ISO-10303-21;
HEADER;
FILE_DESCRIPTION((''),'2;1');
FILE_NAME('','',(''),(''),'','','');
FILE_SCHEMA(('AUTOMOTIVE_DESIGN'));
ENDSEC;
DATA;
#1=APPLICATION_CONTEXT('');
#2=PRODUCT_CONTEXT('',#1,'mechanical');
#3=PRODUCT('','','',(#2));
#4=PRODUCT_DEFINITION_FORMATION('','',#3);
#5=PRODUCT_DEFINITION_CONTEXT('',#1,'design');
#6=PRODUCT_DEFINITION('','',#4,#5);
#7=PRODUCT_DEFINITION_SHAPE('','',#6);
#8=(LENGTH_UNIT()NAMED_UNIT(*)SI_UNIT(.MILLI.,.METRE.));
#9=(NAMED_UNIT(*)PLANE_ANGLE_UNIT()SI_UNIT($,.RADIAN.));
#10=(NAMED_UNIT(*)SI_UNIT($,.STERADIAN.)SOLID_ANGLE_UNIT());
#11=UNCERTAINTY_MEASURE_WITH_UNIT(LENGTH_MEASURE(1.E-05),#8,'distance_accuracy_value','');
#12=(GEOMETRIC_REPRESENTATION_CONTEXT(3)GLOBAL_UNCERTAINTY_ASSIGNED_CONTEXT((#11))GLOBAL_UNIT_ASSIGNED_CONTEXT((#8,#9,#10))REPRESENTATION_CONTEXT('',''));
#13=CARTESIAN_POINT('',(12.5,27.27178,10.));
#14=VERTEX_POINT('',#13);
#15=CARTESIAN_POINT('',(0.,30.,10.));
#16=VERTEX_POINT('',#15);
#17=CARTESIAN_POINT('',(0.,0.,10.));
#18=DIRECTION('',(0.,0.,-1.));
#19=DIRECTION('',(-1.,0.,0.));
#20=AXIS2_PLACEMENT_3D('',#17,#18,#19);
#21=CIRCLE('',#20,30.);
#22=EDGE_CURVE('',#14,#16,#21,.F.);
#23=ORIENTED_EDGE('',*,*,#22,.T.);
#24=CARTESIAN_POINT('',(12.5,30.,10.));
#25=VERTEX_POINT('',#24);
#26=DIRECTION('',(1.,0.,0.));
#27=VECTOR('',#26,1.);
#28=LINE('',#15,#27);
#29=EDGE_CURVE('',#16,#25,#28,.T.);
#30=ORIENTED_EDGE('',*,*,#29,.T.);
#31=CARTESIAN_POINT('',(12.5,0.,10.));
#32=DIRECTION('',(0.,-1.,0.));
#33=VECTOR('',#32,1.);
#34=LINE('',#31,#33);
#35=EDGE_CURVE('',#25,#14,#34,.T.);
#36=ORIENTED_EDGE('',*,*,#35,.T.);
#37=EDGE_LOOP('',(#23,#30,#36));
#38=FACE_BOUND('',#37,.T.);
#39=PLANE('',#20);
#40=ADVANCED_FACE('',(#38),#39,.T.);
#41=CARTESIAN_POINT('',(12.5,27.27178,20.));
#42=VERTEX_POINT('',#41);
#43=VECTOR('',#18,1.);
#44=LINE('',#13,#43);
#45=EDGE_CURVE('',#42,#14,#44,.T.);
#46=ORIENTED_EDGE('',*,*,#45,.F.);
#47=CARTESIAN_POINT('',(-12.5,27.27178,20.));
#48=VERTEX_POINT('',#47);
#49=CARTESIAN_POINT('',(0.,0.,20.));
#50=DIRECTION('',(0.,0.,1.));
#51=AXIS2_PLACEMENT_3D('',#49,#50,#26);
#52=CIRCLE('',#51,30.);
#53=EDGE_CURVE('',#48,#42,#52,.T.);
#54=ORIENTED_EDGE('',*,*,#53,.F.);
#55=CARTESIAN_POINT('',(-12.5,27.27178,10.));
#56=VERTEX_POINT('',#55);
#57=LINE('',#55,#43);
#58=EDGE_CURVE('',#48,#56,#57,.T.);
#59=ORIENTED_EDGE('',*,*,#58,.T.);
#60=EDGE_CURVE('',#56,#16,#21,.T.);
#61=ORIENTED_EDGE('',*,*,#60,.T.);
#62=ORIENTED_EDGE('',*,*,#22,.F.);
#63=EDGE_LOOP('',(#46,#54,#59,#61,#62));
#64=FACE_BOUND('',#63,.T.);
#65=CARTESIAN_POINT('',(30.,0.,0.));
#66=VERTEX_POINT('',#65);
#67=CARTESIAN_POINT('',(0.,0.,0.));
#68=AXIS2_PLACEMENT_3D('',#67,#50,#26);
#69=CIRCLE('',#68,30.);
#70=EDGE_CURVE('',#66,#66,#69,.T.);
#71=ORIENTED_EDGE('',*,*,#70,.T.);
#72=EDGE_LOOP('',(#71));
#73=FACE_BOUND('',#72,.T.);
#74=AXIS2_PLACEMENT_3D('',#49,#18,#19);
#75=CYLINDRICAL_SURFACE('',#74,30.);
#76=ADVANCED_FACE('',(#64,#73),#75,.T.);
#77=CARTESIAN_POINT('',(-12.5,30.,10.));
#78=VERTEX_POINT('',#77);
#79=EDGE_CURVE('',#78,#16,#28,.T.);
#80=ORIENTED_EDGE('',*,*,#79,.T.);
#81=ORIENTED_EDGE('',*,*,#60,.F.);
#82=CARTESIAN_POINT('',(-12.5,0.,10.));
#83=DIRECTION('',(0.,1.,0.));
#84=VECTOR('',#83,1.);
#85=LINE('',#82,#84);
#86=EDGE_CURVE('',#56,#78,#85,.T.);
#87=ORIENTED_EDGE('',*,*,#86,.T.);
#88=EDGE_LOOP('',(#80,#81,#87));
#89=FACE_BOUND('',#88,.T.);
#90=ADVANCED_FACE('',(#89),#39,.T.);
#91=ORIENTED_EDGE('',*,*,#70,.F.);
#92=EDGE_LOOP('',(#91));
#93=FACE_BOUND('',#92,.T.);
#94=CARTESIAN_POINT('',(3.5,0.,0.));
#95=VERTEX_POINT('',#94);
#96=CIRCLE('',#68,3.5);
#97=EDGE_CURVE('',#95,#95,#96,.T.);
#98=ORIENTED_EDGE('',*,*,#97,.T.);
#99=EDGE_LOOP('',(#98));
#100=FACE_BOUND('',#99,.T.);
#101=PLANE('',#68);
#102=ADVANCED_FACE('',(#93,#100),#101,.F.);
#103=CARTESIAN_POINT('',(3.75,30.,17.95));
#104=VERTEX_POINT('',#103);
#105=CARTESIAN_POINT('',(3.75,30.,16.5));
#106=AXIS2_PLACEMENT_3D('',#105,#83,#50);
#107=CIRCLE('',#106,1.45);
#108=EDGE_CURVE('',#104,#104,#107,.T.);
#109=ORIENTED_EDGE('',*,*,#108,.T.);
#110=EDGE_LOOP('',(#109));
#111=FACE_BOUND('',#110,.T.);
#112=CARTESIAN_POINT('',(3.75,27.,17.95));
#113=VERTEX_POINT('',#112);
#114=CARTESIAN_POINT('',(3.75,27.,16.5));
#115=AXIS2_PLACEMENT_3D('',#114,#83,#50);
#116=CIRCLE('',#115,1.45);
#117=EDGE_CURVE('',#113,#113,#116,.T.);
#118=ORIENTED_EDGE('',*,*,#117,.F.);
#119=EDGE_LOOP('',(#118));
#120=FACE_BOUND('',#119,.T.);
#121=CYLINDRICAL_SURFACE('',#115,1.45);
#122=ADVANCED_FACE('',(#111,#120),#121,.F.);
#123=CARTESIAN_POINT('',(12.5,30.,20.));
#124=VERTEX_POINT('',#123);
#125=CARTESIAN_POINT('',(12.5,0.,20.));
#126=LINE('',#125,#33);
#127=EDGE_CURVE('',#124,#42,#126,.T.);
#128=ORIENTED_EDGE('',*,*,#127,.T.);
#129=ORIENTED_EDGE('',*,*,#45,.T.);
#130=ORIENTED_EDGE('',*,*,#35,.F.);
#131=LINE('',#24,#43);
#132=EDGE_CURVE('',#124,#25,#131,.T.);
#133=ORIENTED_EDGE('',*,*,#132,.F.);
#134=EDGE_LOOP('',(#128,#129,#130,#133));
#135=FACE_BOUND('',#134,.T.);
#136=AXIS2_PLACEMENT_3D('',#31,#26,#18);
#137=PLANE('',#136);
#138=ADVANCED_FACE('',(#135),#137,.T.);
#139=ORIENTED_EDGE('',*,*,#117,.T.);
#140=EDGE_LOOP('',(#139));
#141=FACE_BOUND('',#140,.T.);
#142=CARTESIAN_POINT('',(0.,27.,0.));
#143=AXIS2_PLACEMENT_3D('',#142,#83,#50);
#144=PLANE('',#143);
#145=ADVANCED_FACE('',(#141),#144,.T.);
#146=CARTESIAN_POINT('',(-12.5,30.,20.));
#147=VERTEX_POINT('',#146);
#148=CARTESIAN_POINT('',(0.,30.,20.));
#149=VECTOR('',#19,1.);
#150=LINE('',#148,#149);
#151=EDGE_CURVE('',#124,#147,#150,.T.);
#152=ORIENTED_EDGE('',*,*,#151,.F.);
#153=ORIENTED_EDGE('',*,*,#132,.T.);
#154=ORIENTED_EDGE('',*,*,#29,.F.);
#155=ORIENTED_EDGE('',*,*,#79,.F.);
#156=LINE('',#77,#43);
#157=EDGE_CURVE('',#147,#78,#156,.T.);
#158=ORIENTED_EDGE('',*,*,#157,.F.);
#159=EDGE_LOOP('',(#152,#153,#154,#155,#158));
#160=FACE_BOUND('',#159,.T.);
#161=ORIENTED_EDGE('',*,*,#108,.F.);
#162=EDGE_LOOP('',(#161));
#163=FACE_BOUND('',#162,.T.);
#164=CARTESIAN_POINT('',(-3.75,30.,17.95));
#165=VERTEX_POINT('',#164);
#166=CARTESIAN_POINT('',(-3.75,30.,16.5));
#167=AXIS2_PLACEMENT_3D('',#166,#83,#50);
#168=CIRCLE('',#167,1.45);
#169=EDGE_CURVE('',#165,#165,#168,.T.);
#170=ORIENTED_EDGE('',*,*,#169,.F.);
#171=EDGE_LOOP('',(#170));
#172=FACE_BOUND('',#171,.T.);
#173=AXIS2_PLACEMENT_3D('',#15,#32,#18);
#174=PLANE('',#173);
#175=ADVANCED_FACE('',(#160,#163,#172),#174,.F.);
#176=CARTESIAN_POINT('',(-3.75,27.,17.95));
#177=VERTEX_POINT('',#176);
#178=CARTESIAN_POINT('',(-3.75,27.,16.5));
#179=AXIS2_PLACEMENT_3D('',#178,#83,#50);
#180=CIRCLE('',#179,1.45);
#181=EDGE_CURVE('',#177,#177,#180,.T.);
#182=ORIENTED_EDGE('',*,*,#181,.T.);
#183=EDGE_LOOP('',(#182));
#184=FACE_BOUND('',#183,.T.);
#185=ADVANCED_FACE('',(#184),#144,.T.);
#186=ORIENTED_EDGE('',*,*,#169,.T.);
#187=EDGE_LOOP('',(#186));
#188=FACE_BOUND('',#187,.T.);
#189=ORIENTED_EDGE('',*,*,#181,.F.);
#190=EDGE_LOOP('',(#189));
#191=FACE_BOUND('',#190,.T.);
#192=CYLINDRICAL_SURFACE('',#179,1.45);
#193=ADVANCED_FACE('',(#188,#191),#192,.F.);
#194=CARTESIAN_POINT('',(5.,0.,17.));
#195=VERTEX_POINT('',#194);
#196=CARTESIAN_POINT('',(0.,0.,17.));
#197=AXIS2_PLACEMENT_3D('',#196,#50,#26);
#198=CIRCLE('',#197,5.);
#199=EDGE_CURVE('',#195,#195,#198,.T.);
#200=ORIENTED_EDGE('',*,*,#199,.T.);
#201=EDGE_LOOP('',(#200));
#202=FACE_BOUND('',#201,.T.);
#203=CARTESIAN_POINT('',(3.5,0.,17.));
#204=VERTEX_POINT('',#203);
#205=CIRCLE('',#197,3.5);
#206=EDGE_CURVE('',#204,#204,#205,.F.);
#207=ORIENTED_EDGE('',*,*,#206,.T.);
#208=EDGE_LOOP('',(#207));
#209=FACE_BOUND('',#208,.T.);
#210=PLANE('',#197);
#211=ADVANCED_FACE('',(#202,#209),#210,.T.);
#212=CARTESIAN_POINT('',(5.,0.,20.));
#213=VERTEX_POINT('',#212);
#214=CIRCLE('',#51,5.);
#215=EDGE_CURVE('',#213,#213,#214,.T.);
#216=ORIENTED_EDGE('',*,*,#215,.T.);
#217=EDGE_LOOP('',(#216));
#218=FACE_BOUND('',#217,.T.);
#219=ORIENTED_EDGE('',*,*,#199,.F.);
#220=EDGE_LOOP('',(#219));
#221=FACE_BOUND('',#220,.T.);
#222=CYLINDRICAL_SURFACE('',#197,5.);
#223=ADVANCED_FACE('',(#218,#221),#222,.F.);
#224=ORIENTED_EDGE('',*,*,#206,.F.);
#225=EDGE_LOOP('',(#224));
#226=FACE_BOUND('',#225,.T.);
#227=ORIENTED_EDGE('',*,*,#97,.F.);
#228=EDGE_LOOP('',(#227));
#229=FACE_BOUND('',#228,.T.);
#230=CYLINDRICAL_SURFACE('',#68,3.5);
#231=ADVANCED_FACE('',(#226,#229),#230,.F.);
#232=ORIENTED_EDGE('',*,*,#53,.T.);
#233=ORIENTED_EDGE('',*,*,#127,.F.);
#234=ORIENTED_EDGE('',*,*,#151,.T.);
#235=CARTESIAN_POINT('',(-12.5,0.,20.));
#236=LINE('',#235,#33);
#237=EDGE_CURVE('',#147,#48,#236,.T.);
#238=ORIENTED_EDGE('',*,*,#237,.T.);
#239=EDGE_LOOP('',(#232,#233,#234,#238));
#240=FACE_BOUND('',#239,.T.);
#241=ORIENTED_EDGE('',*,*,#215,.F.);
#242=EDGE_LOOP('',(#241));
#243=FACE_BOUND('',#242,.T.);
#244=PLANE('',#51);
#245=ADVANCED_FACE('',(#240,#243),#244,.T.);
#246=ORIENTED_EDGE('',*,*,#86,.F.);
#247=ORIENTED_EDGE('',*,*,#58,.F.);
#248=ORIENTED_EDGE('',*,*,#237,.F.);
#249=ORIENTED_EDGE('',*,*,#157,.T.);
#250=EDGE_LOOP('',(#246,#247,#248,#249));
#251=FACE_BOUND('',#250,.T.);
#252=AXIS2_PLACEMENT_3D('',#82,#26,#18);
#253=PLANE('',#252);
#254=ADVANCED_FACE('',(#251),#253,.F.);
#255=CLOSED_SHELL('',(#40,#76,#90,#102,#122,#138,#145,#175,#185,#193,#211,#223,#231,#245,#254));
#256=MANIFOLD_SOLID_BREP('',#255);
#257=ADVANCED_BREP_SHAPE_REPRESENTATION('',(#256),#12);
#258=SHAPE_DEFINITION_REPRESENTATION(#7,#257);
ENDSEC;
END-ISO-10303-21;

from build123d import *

# Parameters (mm, degrees)
SKETCH_1_R          = 30
EXTRUDE_1_DEPTH     = 20
EXTRUDE_2_DEPTH     = 10
EXTRUDE_3_DEPTH     = 10
CUT_EXTRUDE_1_DEPTH = 10
SKETCH_5_R          = 1.45
CUT_EXTRUDE_2_DEPTH = 3
SKETCH_7_R          = 3.5
CUT_EXTRUDE_4_DEPTH = 47.904157598
SKETCH_8_R          = 5
CUT_EXTRUDE_5_DEPTH = 3


with BuildPart() as part:
    # 草图1 → 凸台-拉伸1 (new body)
    with BuildSketch(Plane.XY):
        Circle(SKETCH_1_R)
    extrude(amount=EXTRUDE_1_DEPTH)

    # 草图2 → 凸台-拉伸2 (add)
    with BuildSketch(Plane(origin=(0, 0, 0), x_dir=(-1, 0, 0), z_dir=(0, 0, -1))):
        with BuildLine():
            Line((0, 30), (-12.5, 30))
            Line((-12.5, 30), (-12.5, 27.271780287))
            ThreePointArc((-12.5, 27.271780287), (-6.397131834, 29.310010309), (0, 30))
        make_face()
        with BuildLine():
            Line((12.5, 30), (0, 30))
            ThreePointArc((0, 30), (6.397131834, 29.310010309), (12.5, 27.271780287))
            Line((12.5, 27.271780287), (12.5, 30))
        make_face()
    extrude(amount=-EXTRUDE_2_DEPTH)

    # 草图3 → 凸台-拉伸3 (add)
    with BuildSketch(Plane.XY.offset(10)):
        with BuildLine():
            Line((-12.5, 30), (-12.5, 27.271780287))
            ThreePointArc((-12.5, 27.271780287), (-6.397131834, 29.310010309), (0, 30))
            Line((0, 30), (-12.5, 30))
        make_face()
        with BuildLine():
            ThreePointArc((0, 30), (6.397131834, 29.310010309), (12.5, 27.271780287))
            Line((12.5, 27.271780287), (12.5, 30))
            Line((12.5, 30), (0, 30))
        make_face()
    extrude(amount=EXTRUDE_3_DEPTH)

    # 草图4 → 切除-拉伸1 (cut)
    with BuildSketch(Plane(origin=(0, 0, 0), x_dir=(-1, 0, 0), z_dir=(0, 0, -1))):
        with BuildLine():
            Line((-12.5, 30), (-12.5, 27.271780287))
            ThreePointArc((-12.5, 27.271780287), (-6.397131834, 29.310010309), (0, 30))
            Line((0, 30), (-12.5, 30))
        make_face()
        with BuildLine():
            ThreePointArc((0, 30), (6.397131834, 29.310010309), (12.5, 27.271780287))
            Line((12.5, 27.271780287), (12.5, 30))
            Line((12.5, 30), (0, 30))
        make_face()
    extrude(amount=-CUT_EXTRUDE_1_DEPTH, mode=Mode.SUBTRACT)

    # 草图5 → 切除-拉伸2 (cut)
    with BuildSketch(Plane(origin=(0, 30, 0), x_dir=(1, 0, 0), z_dir=(0, 1, 0))):
        with Locations((-3.75, -16.5)):
            Circle(SKETCH_5_R)
        with Locations((3.75, -16.5)):
            Circle(SKETCH_5_R)
    extrude(amount=-CUT_EXTRUDE_2_DEPTH, mode=Mode.SUBTRACT)

    # 草图7 → 切除-拉伸4 (cut, through all)
    with BuildSketch(Plane.XY.offset(20)):
        Circle(SKETCH_7_R)
    extrude(amount=-CUT_EXTRUDE_4_DEPTH, mode=Mode.SUBTRACT)

    # 草图8 → 切除-拉伸5 (cut)
    with BuildSketch(Plane.XY.offset(20)):
        Circle(SKETCH_8_R)
    extrude(amount=-CUT_EXTRUDE_5_DEPTH, mode=Mode.SUBTRACT)


solid = part.part
